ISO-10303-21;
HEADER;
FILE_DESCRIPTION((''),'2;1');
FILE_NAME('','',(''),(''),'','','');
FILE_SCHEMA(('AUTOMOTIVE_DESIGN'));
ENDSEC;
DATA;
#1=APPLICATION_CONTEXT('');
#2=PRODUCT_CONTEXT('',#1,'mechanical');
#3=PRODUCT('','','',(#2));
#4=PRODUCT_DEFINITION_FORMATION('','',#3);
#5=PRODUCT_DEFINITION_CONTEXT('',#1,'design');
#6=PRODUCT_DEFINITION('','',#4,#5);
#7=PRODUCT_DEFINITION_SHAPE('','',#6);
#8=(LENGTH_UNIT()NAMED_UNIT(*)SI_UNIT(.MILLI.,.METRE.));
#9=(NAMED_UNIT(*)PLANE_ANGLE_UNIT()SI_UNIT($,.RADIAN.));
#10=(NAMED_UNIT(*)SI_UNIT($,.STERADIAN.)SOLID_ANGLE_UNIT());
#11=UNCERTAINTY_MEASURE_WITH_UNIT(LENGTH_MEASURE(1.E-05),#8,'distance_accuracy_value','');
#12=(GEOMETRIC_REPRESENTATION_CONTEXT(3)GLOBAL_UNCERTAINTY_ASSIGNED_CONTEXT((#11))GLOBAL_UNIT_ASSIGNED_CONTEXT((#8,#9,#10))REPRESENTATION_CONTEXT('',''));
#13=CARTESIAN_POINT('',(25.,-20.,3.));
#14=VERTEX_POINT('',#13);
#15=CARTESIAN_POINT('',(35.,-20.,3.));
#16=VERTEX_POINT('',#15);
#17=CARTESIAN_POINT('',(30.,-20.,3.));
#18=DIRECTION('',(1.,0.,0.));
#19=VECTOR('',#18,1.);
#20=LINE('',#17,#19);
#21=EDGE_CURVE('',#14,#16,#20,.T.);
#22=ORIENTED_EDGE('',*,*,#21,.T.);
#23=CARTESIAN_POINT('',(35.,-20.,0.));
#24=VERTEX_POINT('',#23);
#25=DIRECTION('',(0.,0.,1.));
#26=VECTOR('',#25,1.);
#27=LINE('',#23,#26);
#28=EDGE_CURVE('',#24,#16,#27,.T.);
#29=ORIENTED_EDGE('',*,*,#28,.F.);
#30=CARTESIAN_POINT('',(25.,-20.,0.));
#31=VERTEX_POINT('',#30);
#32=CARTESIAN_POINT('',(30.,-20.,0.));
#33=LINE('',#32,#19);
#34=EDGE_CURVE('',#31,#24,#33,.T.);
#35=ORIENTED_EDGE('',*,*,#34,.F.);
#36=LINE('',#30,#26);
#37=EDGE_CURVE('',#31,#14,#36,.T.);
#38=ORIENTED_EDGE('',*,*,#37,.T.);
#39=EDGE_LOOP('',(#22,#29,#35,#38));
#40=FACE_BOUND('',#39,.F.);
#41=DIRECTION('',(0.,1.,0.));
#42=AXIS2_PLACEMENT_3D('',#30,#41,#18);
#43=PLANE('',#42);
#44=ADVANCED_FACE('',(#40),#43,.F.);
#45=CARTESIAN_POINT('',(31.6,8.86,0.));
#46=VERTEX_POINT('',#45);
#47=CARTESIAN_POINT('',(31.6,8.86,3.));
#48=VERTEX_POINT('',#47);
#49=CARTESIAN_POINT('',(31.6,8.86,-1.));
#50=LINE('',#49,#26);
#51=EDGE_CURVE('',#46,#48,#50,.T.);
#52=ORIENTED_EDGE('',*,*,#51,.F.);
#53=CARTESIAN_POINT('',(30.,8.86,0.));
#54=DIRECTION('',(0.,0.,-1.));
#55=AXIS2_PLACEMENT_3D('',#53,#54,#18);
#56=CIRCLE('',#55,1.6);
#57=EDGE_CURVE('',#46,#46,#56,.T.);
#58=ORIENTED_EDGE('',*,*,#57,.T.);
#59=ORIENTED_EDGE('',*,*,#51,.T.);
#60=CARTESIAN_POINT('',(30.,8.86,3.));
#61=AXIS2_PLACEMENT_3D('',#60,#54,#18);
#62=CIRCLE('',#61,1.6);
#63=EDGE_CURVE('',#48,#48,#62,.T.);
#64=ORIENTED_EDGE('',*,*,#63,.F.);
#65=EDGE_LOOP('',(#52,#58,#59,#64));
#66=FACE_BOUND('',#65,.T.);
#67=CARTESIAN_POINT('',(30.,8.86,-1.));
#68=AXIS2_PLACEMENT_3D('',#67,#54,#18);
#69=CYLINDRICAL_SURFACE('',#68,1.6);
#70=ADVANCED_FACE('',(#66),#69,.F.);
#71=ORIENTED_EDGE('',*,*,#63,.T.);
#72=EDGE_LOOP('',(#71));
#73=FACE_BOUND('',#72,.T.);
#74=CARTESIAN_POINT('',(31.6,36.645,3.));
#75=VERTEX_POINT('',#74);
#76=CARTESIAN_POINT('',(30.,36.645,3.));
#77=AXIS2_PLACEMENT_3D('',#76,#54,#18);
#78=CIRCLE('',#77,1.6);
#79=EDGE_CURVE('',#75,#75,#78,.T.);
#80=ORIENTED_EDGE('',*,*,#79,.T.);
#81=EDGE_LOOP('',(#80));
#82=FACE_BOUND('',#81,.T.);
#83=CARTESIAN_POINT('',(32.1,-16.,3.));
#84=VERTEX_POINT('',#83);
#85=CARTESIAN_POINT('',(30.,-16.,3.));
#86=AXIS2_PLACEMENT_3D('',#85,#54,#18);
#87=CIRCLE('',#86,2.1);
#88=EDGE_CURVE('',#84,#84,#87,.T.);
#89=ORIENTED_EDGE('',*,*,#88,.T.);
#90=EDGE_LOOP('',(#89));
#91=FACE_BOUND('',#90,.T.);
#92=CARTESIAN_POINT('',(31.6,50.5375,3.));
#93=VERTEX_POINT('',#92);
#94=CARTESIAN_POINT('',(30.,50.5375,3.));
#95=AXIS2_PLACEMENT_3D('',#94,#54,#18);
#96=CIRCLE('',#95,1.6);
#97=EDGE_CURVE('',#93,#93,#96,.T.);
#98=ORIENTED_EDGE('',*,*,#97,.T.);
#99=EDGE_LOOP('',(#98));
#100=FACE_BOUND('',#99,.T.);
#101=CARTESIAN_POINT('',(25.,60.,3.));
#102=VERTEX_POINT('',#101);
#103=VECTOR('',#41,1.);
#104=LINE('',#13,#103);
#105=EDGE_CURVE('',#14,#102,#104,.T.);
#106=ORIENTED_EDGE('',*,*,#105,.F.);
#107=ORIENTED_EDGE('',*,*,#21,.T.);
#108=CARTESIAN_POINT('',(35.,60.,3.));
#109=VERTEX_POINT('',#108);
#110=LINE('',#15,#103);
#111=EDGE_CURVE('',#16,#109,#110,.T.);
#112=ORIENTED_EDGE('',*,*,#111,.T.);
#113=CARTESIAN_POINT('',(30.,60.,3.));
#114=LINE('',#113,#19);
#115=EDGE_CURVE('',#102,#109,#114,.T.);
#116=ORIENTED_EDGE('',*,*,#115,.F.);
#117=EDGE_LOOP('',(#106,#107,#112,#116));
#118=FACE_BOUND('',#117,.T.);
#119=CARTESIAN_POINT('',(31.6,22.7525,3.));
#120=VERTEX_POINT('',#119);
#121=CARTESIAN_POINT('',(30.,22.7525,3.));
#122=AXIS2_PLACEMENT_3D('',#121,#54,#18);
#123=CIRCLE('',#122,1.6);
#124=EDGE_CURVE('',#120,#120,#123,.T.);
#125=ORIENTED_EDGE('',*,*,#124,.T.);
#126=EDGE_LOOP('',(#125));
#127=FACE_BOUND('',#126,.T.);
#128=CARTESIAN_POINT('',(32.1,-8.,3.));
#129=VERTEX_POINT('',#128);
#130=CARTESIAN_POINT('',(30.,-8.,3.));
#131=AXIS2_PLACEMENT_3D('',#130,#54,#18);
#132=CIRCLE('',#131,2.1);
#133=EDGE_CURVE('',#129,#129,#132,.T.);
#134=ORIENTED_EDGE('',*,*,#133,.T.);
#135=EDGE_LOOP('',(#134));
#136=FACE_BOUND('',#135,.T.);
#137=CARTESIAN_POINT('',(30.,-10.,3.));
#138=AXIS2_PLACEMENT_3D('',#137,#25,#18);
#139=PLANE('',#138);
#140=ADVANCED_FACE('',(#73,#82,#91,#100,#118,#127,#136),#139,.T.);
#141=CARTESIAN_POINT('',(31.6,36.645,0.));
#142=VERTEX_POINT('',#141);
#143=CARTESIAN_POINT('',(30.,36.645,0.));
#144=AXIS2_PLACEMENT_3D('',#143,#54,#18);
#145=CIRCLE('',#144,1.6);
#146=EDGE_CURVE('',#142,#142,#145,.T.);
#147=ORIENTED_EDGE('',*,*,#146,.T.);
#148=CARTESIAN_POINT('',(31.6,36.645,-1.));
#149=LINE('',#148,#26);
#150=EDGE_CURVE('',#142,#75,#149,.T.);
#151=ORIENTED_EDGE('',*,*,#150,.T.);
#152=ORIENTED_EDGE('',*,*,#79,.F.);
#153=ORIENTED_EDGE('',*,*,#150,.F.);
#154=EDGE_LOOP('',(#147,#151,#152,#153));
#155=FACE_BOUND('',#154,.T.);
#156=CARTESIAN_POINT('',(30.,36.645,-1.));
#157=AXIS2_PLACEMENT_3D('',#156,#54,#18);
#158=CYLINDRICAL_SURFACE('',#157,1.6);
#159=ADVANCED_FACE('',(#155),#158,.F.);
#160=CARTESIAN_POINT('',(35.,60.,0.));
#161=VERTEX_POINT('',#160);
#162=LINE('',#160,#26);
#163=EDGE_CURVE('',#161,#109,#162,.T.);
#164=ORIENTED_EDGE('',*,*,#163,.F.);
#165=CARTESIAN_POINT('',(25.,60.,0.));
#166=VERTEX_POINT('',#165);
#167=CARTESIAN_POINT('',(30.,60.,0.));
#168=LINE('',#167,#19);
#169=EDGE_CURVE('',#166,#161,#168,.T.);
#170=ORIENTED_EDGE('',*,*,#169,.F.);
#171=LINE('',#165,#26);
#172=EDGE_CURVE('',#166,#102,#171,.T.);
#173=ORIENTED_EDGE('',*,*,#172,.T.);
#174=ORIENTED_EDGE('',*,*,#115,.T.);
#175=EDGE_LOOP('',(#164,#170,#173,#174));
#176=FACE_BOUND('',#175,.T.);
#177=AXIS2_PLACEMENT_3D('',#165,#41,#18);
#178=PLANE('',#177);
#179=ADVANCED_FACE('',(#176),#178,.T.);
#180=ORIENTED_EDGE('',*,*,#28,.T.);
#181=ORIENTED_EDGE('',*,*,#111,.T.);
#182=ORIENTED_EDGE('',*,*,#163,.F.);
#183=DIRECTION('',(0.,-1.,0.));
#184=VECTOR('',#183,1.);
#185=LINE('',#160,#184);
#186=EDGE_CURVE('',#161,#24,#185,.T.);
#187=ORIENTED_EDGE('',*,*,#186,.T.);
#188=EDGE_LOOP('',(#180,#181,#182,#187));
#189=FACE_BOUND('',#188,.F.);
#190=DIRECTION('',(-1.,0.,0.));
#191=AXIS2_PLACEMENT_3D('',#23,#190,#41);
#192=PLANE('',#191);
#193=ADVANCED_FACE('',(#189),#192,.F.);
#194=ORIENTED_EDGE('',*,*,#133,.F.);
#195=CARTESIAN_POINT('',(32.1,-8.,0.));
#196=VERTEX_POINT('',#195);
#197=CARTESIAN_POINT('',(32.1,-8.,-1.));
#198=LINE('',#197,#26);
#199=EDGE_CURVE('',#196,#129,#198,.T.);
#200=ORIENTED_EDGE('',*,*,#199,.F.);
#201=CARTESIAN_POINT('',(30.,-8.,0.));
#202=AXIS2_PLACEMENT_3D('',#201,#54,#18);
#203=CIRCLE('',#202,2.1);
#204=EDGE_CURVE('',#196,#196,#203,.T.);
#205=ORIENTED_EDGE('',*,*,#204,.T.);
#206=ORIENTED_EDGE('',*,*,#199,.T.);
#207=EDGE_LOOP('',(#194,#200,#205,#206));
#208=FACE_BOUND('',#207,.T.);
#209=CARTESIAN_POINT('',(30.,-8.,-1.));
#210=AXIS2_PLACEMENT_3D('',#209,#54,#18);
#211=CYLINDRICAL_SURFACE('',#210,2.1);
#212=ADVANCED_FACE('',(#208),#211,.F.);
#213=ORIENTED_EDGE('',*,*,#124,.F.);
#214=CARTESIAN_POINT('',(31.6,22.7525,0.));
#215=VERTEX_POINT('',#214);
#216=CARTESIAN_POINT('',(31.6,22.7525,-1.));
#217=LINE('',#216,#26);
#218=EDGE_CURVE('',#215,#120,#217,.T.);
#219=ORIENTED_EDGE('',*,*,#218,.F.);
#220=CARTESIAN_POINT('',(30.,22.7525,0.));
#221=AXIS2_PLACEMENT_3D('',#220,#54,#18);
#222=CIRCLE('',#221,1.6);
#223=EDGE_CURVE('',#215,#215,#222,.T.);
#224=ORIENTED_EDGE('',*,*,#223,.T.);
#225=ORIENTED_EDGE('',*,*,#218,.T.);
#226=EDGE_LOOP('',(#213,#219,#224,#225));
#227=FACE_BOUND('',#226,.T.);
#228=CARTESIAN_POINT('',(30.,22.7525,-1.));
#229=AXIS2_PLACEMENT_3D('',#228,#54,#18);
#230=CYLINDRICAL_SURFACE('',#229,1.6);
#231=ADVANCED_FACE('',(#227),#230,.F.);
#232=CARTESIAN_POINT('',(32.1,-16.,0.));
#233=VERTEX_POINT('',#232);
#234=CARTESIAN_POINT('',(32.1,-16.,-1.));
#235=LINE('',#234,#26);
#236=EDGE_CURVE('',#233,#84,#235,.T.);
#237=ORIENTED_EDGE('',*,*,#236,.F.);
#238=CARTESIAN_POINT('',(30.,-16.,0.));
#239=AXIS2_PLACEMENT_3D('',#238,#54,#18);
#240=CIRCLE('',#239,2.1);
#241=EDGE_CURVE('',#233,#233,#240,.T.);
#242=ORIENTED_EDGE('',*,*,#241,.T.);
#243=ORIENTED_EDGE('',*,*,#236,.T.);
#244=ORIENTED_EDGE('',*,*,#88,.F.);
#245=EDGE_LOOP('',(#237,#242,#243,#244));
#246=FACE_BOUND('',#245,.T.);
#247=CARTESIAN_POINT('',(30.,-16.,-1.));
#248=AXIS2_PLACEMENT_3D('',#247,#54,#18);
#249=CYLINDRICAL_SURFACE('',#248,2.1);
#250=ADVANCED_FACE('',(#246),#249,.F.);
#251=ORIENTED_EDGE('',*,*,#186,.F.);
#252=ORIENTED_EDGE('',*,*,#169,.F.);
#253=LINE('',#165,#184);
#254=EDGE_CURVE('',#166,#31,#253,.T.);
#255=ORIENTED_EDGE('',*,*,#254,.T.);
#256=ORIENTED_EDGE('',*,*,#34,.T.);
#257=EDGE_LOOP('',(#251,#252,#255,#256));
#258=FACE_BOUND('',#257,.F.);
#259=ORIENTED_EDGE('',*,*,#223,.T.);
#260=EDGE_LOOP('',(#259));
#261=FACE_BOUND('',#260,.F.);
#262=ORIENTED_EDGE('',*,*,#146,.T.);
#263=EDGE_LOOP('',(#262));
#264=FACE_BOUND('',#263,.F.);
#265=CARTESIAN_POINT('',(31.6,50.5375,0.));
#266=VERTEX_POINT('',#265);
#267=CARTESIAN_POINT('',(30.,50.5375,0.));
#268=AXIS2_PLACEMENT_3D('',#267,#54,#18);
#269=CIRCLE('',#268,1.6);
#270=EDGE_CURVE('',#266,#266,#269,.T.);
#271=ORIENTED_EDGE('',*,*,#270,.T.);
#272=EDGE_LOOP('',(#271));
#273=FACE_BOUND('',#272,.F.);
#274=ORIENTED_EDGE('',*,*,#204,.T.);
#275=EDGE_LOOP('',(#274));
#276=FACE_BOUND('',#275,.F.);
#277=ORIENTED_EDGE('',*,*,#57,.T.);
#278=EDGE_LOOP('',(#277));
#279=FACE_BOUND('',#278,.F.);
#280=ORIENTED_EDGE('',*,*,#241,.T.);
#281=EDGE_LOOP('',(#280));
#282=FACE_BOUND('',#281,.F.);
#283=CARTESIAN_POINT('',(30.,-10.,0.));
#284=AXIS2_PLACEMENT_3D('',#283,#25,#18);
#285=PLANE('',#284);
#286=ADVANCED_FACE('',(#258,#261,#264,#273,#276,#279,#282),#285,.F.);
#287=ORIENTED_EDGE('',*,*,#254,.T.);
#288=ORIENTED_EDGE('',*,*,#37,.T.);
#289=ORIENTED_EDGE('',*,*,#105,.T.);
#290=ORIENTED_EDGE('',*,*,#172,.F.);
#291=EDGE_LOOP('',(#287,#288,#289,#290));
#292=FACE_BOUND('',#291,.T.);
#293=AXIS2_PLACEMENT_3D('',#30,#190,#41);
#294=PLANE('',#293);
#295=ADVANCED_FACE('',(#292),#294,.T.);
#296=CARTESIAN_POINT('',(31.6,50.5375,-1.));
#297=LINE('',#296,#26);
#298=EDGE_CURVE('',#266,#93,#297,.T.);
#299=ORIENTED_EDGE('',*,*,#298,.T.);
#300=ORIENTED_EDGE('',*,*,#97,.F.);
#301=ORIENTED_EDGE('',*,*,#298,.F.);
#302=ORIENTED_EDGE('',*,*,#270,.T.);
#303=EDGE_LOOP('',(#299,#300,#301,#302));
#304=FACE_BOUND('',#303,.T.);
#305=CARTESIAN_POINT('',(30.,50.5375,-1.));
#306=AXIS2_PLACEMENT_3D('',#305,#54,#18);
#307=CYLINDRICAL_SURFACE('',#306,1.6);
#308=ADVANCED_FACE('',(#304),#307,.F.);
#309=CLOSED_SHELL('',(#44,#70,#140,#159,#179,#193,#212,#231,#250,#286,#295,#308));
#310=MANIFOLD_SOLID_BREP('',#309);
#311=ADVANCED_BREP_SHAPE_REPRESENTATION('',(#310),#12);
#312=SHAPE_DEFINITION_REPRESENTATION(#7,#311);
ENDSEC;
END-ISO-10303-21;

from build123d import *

# Parameters (mm, degrees)
CYLINDER017_R     = 2.1
CYLINDER017_DEPTH = 5
CYLINDER016_R     = 2.1
CYLINDER016_DEPTH = 5
CUBE004_W         = 10
CUBE004_H         = 20
CUBE004_DEPTH     = 3
CYLINDER013_R     = 1.6
CYLINDER013_DEPTH = 5
CYLINDER014_R     = 1.6
CYLINDER014_DEPTH = 5
CYLINDER015_R     = 1.6
CYLINDER015_DEPTH = 5
CYLINDER012_R     = 1.6
CYLINDER012_DEPTH = 5
CUBE003_W         = 10
CUBE003_H         = 60
CUBE003_DEPTH     = 3


with BuildPart() as cylinder017:
    # cylinder017 → cylinder017 (new body)
    with BuildSketch(Plane(origin=(5, -8, -1), x_dir=(1, 0, 0), z_dir=(0, 0, 1))):
        Circle(CYLINDER017_R)
    extrude(amount=CYLINDER017_DEPTH)


with BuildPart() as union004:
    # cylinder016 → cylinder016 (new body)
    with BuildSketch(Plane(origin=(5, -16, -1), x_dir=(1, 0, 0), z_dir=(0, 0, 1))):
        Circle(CYLINDER016_R)
    extrude(amount=CYLINDER016_DEPTH)

    # union004: union cylinder017
    add(cylinder017.part)


with BuildPart() as difference004:
    # cube004 → cube004 (new body)
    with BuildSketch(Plane(origin=(0, -20, 0), x_dir=(1, 0, 0), z_dir=(0, 0, 1))):
        with Locations((5, 10)):
            Rectangle(CUBE004_W, CUBE004_H)
    extrude(amount=CUBE004_DEPTH)

    # difference004: cut union004
    add(union004.part, mode=Mode.SUBTRACT)


with BuildPart() as cylinder013:
    # cylinder013 → cylinder013 (new body)
    with BuildSketch(Plane(origin=(5, 22.7525, -1), x_dir=(1, 0, 0), z_dir=(0, 0, 1))):
        Circle(CYLINDER013_R)
    extrude(amount=CYLINDER013_DEPTH)


with BuildPart() as cylinder014:
    # cylinder014 → cylinder014 (new body)
    with BuildSketch(Plane(origin=(5, 36.645, -1), x_dir=(1, 0, 0), z_dir=(0, 0, 1))):
        Circle(CYLINDER014_R)
    extrude(amount=CYLINDER014_DEPTH)


with BuildPart() as cylinder015:
    # cylinder015 → cylinder015 (new body)
    with BuildSketch(Plane(origin=(5, 50.5375, -1), x_dir=(1, 0, 0), z_dir=(0, 0, 1))):
        Circle(CYLINDER015_R)
    extrude(amount=CYLINDER015_DEPTH)


with BuildPart() as group003:
    # cylinder012 → cylinder012 (new body)
    with BuildSketch(Plane(origin=(5, 8.86, -1), x_dir=(1, 0, 0), z_dir=(0, 0, 1))):
        Circle(CYLINDER012_R)
    extrude(amount=CYLINDER012_DEPTH)

    # Group003: union cylinder013, cylinder014, cylinder015
    add(cylinder013.part)
    add(cylinder014.part)
    add(cylinder015.part)


with BuildPart() as bar2_fromopenscad:
    # cube003 → cube003 (new body)
    with BuildSketch(Plane.XY):
        with Locations((5, 30)):
            Rectangle(CUBE003_W, CUBE003_H)
    extrude(amount=CUBE003_DEPTH)

    # difference003: cut Group003
    add(group003.part, mode=Mode.SUBTRACT)

    # union005: union difference004
    add(difference004.part)


with BuildPart() as bar2_fromopenscad_1:
    # union005 placement: moved
    add(bar2_fromopenscad.part.moved(Location((25, 0, 0))))


solid = bar2_fromopenscad_1.part
